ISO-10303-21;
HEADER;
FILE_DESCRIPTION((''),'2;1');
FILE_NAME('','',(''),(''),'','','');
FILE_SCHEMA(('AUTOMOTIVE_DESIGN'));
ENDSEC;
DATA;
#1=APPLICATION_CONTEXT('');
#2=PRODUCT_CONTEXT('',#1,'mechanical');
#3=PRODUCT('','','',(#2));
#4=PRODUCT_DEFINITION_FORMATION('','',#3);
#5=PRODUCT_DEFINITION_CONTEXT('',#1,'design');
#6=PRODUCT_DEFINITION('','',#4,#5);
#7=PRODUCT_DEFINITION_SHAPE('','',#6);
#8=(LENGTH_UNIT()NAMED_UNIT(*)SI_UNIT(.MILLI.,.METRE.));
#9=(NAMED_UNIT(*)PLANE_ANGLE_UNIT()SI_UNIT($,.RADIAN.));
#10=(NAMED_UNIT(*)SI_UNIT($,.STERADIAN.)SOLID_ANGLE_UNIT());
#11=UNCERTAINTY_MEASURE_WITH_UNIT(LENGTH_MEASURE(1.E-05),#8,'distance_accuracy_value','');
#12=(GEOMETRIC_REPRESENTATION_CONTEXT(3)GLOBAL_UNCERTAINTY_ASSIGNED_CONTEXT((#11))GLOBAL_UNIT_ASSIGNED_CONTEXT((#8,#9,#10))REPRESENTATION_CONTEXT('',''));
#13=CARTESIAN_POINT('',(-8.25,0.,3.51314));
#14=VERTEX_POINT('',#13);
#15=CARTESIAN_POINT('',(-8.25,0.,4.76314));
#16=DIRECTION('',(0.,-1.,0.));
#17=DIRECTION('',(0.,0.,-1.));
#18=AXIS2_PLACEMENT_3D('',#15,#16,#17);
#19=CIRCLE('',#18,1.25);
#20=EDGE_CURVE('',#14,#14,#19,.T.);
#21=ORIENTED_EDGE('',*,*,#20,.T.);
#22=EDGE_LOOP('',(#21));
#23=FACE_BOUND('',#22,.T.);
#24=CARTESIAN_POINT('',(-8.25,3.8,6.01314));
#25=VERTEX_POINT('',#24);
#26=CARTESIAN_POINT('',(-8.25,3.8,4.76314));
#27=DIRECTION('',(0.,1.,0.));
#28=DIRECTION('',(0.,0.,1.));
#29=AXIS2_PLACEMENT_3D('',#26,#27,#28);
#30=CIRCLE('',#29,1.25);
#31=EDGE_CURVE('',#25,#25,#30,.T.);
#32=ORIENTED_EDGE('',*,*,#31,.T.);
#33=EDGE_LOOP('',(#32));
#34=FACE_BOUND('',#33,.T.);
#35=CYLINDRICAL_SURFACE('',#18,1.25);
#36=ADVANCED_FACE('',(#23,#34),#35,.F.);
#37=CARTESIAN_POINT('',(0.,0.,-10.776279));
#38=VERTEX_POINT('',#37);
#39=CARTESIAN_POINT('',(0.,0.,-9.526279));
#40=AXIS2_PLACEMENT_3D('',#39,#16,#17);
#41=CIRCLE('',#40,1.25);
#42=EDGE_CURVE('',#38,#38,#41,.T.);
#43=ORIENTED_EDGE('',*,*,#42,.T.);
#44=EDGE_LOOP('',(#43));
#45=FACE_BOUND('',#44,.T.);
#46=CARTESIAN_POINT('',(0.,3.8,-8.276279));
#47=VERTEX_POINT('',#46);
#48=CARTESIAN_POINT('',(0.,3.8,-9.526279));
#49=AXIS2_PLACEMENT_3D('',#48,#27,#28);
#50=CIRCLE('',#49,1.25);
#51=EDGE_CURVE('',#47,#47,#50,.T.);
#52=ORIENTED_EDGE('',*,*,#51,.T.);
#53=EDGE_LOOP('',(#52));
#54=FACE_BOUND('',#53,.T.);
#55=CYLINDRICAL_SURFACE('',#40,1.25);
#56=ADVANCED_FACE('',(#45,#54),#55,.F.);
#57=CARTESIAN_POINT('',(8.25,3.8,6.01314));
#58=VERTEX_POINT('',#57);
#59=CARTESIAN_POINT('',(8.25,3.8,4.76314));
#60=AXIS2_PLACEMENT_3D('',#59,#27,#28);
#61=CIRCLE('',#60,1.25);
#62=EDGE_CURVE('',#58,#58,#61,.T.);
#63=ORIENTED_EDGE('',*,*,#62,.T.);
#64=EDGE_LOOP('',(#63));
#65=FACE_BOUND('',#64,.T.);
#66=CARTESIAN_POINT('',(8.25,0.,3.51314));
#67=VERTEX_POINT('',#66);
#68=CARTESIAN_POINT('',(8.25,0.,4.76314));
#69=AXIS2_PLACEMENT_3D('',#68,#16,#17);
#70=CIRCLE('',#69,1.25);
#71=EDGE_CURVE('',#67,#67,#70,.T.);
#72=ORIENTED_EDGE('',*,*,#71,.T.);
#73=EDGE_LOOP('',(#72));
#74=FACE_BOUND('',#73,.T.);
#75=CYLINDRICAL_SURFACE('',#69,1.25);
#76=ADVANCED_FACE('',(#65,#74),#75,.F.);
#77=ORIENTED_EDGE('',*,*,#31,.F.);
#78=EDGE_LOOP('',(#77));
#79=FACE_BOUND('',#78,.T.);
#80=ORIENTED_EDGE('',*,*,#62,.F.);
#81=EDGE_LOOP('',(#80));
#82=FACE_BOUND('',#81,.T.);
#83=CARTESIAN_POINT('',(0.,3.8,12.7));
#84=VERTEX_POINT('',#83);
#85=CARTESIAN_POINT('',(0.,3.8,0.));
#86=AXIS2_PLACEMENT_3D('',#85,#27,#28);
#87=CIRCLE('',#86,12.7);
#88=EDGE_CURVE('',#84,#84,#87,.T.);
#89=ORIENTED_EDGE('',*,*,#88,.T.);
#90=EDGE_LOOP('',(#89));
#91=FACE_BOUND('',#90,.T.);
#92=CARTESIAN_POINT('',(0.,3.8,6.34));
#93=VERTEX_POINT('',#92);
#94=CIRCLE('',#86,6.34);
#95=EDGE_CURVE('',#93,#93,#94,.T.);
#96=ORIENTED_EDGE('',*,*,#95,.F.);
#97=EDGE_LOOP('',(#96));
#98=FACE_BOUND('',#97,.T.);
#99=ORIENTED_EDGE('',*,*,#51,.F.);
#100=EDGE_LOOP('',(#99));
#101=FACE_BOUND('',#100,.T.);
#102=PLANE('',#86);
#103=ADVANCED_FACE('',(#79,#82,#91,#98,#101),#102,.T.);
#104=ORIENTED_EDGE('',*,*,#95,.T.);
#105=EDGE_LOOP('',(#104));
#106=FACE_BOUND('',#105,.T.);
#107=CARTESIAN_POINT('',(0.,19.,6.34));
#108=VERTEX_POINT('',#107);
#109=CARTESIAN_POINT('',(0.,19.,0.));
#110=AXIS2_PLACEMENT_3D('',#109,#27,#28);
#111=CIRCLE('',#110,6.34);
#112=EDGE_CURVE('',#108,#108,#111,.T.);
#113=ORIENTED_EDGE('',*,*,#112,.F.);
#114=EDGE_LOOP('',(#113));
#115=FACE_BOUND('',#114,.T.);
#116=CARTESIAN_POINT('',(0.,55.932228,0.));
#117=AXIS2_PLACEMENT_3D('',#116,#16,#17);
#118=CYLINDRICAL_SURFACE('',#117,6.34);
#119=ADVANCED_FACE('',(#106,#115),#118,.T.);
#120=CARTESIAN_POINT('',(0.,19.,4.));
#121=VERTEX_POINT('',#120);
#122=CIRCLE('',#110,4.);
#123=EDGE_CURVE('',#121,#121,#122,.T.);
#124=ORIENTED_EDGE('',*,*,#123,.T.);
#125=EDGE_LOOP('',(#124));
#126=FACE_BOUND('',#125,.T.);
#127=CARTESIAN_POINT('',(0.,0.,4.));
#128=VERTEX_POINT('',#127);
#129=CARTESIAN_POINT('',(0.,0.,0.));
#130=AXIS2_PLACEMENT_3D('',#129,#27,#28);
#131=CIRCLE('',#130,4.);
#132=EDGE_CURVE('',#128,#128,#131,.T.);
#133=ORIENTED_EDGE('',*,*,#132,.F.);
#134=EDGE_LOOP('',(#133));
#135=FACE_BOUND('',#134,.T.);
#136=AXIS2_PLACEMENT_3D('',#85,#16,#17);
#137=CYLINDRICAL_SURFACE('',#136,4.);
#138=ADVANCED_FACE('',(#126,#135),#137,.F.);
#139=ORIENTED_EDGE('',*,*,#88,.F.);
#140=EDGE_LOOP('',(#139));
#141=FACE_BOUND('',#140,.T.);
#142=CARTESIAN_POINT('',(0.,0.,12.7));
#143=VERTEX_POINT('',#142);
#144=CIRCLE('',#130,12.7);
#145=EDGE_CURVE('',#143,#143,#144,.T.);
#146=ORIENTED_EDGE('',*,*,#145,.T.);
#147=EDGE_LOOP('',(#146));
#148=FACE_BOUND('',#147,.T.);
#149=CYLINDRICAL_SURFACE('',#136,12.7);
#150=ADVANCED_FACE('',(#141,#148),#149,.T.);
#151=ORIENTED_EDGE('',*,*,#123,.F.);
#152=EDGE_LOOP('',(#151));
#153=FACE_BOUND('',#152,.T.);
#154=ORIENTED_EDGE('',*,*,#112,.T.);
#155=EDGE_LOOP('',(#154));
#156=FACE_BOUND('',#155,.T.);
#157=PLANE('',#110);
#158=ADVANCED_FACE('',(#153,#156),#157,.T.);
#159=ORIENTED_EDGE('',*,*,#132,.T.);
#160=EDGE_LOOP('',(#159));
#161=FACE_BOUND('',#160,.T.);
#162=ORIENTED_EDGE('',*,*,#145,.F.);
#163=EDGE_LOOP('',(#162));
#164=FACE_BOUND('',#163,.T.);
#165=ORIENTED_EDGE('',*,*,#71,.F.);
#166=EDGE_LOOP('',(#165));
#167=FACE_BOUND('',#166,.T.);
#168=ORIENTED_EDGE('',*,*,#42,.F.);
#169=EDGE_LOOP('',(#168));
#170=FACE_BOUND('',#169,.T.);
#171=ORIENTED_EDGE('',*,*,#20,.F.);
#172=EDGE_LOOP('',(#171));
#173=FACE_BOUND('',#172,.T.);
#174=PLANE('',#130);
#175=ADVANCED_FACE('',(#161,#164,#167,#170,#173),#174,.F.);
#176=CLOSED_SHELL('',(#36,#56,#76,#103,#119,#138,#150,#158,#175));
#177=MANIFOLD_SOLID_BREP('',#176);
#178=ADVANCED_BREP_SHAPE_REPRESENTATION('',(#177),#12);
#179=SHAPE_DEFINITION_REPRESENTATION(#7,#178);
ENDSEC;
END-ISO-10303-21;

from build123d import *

# Parameters (mm, degrees)
SKETCH1_R                   = 12.7
SKETCH1_R_2                 = 4
BOSS_EXTRUDE1_DEPTH         = 3.8
SKETCH2_R                   = 6.34
SKETCH2_R_2                 = 4
BOSS_EXTRUDE2_DEPTH         = 15.2
TAP_DRILL_FOR_M3_TAP1_D     = 2.5
TAP_DRILL_FOR_M3_TAP1_DEPTH = 3.8


with BuildPart() as part:
    # Sketch1 → Boss-Extrude1 (new body)
    with BuildSketch(Plane(origin=(0, 0, 0), x_dir=(1, 0, 0), z_dir=(0, 1, 0))):
        Circle(SKETCH1_R)
        Circle(SKETCH1_R_2, mode=Mode.SUBTRACT)
    extrude(amount=BOSS_EXTRUDE1_DEPTH)

    # Sketch2 → Boss-Extrude2 (add)
    with BuildSketch(Plane(origin=(0, 3.8, 0), x_dir=(1, 0, 0), z_dir=(0, 1, 0))):
        Circle(SKETCH2_R)
        Circle(SKETCH2_R_2, mode=Mode.SUBTRACT)
    extrude(amount=BOSS_EXTRUDE2_DEPTH)

    # Tap Drill for M3 Tap1
    with Locations(Plane(origin=(-8.25, 0, 4.763139721), x_dir=(0, 0, -1), z_dir=(0, -1, 0))):
        with Locations((0, 0), (0, 16.5), (14.289419163, 8.25)):
            Hole(TAP_DRILL_FOR_M3_TAP1_D / 2, depth=TAP_DRILL_FOR_M3_TAP1_DEPTH)


solid = part.part
